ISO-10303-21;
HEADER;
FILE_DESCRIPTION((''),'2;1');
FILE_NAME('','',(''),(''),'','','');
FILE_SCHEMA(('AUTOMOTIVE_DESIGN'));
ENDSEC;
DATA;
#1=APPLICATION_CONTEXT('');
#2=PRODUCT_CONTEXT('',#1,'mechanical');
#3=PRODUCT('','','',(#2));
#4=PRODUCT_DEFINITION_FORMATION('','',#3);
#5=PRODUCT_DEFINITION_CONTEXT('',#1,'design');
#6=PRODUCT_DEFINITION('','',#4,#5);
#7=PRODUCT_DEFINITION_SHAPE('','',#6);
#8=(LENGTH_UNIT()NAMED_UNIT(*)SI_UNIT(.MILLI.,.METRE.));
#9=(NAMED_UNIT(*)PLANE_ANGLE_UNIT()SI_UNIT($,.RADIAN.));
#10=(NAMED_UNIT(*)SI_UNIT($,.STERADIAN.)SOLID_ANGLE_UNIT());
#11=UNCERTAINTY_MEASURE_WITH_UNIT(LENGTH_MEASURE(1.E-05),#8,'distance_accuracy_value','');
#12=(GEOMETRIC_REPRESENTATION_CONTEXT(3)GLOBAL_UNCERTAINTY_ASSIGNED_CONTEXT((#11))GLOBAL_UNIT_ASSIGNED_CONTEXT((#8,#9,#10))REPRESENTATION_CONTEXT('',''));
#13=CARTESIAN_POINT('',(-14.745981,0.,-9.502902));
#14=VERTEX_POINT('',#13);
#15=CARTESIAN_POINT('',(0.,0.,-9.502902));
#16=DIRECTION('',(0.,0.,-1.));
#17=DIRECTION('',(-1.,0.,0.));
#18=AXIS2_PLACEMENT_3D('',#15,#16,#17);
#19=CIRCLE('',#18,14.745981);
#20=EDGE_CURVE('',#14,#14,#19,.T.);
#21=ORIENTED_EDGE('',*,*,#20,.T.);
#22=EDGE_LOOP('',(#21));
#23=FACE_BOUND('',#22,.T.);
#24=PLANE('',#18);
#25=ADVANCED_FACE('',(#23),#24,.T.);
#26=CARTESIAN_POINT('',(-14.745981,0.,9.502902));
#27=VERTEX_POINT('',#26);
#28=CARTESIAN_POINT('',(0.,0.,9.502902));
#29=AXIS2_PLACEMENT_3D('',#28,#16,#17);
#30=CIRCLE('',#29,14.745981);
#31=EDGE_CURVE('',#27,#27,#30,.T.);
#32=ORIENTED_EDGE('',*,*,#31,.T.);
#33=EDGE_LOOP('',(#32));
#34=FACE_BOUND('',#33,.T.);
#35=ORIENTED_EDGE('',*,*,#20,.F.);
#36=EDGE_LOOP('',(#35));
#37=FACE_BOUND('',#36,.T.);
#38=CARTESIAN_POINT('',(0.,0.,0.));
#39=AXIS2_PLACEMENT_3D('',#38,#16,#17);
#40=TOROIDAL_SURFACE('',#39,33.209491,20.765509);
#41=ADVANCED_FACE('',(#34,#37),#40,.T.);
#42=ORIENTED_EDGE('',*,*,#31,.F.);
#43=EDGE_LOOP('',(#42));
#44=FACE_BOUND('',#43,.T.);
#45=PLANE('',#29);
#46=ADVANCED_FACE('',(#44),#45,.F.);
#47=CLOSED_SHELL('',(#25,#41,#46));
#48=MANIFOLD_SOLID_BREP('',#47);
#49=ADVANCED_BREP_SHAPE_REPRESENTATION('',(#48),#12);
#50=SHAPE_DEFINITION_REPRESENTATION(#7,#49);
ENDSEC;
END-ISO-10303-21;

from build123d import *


with BuildPart() as part:
    # Sketch1 → Revolve1 (revolve)
    with BuildSketch(Plane(origin=(0, 0, 0), x_dir=(0, 0, -1), z_dir=(1, 0, 0))):
        with BuildLine():
            ThreePointArc((20.765508886, 33.209491114), (-10.813735982, 50.937138262), (-9.502901594, 14.745980598))
            Line((-9.502901594, 14.745980598), (9.502901594, 14.745980598))
            ThreePointArc((9.502901594, 14.745980598), (17.727647147, 22.395755132), (20.765508886, 33.209491114))
        make_face()
        with BuildLine():
            Line((9.502901594, 14.745980598), (-9.502901594, 14.745980598))
            ThreePointArc((-9.502901594, 14.745980598), (0, 12.443982229), (9.502901594, 14.745980598))
        make_face()
        with BuildLine():
            Line((-9.502901594, 14.745980598), (-9.502901594, 0))
            Line((-9.502901594, 0), (9.502901594, 0))
            Line((9.502901594, 0), (9.502901594, 14.745980598))
            ThreePointArc((9.502901594, 14.745980598), (0, 12.443982229), (-9.502901594, 14.745980598))
        make_face()
    revolve(axis=Axis((0, 0, 0), (0, 0, 1)))


solid = part.part
